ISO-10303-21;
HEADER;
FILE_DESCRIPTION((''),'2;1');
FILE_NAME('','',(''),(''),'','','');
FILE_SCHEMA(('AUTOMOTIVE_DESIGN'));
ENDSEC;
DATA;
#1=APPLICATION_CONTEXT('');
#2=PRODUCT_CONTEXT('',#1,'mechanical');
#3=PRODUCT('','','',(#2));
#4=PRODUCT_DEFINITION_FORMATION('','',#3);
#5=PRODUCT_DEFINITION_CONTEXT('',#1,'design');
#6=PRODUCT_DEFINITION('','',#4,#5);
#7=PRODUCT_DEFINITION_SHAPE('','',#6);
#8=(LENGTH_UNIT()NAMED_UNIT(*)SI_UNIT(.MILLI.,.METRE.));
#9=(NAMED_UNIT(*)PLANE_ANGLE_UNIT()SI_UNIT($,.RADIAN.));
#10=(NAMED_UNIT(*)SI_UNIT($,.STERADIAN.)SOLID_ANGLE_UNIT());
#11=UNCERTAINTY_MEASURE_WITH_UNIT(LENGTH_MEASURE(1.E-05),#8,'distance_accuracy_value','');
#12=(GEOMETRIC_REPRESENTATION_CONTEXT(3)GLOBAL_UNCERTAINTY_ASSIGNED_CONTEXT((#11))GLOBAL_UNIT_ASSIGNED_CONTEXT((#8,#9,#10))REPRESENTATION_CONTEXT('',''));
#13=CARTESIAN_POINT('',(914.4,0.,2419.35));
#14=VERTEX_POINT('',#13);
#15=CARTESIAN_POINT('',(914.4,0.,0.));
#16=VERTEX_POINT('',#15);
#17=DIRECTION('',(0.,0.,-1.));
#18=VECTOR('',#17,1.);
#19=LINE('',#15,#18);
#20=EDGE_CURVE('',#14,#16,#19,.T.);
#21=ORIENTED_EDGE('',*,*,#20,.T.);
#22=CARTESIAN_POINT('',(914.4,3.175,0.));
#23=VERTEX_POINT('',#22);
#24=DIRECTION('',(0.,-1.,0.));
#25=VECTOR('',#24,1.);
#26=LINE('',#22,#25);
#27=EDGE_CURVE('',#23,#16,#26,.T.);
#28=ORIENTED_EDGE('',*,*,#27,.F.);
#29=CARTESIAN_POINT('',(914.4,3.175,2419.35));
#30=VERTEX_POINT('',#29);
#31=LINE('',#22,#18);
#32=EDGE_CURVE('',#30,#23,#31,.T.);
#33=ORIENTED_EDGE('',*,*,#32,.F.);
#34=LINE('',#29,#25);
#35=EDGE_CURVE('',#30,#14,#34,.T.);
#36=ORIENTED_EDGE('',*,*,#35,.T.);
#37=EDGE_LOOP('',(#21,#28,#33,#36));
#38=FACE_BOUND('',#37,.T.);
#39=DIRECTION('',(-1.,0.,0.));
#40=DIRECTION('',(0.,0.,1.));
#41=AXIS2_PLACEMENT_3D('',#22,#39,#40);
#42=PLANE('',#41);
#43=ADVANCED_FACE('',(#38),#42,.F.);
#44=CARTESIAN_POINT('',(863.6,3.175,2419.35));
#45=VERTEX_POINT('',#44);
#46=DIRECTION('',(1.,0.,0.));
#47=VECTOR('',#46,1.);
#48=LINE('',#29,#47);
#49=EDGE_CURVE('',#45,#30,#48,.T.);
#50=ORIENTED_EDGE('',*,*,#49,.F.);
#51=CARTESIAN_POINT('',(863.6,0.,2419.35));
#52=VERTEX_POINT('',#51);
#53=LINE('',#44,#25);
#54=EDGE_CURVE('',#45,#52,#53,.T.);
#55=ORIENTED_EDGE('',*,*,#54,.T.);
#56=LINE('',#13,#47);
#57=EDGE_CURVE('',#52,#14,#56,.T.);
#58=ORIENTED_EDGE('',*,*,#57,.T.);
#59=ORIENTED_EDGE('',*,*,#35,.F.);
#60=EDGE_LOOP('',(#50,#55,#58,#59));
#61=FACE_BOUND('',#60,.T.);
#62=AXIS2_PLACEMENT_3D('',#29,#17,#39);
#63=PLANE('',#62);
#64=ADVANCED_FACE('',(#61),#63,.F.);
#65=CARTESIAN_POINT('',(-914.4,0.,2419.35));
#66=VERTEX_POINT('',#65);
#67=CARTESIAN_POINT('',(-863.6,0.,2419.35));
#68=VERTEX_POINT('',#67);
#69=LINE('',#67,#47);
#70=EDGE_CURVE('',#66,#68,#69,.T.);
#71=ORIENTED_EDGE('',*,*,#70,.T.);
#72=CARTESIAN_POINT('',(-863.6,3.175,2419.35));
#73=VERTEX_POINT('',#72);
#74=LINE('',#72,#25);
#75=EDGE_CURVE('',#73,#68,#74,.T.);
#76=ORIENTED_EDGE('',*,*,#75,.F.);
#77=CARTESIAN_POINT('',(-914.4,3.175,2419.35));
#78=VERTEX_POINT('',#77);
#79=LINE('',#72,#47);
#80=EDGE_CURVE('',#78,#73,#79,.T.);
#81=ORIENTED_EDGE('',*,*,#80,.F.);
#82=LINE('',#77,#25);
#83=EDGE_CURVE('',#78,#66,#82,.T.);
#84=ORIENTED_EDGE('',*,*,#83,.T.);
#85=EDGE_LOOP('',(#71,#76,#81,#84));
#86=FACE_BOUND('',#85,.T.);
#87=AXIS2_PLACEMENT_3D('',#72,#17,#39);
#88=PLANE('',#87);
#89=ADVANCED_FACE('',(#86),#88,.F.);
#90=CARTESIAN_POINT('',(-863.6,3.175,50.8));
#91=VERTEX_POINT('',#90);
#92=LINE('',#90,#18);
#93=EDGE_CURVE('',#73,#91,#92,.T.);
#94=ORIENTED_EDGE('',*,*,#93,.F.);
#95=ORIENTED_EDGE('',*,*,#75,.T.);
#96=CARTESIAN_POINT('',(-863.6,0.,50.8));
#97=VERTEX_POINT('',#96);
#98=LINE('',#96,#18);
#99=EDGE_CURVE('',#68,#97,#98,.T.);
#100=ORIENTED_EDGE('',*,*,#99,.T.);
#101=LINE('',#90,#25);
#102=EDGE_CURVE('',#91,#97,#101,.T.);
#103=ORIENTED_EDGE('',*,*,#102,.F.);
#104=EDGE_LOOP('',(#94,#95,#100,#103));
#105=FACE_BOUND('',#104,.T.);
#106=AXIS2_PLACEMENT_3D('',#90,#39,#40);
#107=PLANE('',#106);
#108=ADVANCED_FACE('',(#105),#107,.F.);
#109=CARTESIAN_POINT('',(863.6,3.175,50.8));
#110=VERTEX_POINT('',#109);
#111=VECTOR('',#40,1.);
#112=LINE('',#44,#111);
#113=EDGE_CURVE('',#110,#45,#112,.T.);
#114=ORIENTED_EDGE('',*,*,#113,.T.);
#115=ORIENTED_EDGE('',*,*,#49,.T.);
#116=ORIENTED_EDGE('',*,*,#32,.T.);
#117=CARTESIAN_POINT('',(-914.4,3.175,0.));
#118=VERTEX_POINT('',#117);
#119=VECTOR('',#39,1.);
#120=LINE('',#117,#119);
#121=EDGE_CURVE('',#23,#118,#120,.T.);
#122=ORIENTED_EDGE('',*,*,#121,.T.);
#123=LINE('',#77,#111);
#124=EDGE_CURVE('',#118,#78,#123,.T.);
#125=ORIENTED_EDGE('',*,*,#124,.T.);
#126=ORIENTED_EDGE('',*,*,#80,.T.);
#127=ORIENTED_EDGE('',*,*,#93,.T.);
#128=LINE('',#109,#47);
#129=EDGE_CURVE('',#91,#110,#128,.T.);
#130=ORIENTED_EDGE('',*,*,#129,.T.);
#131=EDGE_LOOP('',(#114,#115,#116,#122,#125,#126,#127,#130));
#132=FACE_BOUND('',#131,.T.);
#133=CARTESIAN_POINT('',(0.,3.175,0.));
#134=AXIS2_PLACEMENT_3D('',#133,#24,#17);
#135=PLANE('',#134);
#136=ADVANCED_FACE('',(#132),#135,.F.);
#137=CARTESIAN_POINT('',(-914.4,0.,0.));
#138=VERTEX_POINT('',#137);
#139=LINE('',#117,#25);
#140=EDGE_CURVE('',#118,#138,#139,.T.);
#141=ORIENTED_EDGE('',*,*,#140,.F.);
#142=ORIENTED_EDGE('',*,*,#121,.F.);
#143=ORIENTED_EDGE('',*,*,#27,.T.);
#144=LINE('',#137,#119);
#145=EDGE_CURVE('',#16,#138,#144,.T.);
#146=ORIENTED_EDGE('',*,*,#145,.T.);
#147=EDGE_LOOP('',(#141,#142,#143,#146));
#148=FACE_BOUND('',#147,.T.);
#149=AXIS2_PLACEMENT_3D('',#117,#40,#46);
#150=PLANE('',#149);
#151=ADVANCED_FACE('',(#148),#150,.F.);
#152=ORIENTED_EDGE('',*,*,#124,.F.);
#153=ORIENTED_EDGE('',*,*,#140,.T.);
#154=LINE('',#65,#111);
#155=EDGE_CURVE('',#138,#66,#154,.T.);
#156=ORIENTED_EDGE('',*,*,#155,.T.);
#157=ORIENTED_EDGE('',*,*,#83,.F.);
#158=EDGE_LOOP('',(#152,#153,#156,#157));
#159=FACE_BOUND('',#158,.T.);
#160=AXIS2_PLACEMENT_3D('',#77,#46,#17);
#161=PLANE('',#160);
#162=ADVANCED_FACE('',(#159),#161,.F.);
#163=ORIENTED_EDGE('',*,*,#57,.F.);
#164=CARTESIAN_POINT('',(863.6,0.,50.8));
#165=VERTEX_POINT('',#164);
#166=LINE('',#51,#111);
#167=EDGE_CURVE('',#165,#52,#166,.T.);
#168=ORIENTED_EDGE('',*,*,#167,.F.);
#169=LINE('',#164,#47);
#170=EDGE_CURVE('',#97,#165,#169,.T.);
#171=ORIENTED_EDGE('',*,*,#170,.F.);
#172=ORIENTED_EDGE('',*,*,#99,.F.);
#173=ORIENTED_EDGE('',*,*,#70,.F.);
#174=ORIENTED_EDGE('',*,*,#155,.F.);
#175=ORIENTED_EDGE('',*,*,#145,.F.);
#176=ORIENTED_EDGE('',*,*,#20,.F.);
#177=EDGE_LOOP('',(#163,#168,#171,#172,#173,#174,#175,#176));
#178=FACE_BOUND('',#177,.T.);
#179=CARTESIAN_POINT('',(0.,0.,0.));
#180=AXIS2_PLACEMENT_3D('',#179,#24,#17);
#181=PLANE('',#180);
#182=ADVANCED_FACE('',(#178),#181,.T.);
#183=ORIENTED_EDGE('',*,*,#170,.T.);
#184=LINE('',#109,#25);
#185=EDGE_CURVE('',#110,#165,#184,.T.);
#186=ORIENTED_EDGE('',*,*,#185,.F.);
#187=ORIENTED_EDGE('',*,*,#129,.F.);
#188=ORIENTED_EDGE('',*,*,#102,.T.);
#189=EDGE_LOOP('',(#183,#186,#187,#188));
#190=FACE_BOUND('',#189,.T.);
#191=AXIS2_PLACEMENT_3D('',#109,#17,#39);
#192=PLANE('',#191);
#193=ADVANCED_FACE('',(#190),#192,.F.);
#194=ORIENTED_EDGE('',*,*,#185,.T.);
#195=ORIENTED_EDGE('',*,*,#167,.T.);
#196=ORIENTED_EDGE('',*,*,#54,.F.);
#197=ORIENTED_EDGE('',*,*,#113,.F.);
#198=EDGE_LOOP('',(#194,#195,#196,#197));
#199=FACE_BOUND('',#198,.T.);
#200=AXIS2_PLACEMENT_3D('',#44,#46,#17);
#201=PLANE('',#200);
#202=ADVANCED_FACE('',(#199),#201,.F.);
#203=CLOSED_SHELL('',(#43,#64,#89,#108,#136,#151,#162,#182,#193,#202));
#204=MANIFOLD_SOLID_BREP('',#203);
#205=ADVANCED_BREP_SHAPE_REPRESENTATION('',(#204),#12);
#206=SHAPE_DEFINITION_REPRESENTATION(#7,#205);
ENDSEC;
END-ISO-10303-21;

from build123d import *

# Parameters (mm, degrees)
BOSS_EXTRUDE1_DEPTH = 3.175


with BuildPart() as part:
    # Sketch1 → Boss-Extrude1 (new body)
    with BuildSketch(Plane(origin=(0, 0, 0), x_dir=(1, 0, 0), z_dir=(0, 1, 0))):
        Polygon((-914.4, -2419.35), (-914.4, 0), (914.4, 0), (914.4, -2419.35), (863.6, -2419.35), (863.6, -50.8), (-863.6, -50.8), (-863.6, -2419.35), align=None)
    extrude(amount=BOSS_EXTRUDE1_DEPTH)


solid = part.part
